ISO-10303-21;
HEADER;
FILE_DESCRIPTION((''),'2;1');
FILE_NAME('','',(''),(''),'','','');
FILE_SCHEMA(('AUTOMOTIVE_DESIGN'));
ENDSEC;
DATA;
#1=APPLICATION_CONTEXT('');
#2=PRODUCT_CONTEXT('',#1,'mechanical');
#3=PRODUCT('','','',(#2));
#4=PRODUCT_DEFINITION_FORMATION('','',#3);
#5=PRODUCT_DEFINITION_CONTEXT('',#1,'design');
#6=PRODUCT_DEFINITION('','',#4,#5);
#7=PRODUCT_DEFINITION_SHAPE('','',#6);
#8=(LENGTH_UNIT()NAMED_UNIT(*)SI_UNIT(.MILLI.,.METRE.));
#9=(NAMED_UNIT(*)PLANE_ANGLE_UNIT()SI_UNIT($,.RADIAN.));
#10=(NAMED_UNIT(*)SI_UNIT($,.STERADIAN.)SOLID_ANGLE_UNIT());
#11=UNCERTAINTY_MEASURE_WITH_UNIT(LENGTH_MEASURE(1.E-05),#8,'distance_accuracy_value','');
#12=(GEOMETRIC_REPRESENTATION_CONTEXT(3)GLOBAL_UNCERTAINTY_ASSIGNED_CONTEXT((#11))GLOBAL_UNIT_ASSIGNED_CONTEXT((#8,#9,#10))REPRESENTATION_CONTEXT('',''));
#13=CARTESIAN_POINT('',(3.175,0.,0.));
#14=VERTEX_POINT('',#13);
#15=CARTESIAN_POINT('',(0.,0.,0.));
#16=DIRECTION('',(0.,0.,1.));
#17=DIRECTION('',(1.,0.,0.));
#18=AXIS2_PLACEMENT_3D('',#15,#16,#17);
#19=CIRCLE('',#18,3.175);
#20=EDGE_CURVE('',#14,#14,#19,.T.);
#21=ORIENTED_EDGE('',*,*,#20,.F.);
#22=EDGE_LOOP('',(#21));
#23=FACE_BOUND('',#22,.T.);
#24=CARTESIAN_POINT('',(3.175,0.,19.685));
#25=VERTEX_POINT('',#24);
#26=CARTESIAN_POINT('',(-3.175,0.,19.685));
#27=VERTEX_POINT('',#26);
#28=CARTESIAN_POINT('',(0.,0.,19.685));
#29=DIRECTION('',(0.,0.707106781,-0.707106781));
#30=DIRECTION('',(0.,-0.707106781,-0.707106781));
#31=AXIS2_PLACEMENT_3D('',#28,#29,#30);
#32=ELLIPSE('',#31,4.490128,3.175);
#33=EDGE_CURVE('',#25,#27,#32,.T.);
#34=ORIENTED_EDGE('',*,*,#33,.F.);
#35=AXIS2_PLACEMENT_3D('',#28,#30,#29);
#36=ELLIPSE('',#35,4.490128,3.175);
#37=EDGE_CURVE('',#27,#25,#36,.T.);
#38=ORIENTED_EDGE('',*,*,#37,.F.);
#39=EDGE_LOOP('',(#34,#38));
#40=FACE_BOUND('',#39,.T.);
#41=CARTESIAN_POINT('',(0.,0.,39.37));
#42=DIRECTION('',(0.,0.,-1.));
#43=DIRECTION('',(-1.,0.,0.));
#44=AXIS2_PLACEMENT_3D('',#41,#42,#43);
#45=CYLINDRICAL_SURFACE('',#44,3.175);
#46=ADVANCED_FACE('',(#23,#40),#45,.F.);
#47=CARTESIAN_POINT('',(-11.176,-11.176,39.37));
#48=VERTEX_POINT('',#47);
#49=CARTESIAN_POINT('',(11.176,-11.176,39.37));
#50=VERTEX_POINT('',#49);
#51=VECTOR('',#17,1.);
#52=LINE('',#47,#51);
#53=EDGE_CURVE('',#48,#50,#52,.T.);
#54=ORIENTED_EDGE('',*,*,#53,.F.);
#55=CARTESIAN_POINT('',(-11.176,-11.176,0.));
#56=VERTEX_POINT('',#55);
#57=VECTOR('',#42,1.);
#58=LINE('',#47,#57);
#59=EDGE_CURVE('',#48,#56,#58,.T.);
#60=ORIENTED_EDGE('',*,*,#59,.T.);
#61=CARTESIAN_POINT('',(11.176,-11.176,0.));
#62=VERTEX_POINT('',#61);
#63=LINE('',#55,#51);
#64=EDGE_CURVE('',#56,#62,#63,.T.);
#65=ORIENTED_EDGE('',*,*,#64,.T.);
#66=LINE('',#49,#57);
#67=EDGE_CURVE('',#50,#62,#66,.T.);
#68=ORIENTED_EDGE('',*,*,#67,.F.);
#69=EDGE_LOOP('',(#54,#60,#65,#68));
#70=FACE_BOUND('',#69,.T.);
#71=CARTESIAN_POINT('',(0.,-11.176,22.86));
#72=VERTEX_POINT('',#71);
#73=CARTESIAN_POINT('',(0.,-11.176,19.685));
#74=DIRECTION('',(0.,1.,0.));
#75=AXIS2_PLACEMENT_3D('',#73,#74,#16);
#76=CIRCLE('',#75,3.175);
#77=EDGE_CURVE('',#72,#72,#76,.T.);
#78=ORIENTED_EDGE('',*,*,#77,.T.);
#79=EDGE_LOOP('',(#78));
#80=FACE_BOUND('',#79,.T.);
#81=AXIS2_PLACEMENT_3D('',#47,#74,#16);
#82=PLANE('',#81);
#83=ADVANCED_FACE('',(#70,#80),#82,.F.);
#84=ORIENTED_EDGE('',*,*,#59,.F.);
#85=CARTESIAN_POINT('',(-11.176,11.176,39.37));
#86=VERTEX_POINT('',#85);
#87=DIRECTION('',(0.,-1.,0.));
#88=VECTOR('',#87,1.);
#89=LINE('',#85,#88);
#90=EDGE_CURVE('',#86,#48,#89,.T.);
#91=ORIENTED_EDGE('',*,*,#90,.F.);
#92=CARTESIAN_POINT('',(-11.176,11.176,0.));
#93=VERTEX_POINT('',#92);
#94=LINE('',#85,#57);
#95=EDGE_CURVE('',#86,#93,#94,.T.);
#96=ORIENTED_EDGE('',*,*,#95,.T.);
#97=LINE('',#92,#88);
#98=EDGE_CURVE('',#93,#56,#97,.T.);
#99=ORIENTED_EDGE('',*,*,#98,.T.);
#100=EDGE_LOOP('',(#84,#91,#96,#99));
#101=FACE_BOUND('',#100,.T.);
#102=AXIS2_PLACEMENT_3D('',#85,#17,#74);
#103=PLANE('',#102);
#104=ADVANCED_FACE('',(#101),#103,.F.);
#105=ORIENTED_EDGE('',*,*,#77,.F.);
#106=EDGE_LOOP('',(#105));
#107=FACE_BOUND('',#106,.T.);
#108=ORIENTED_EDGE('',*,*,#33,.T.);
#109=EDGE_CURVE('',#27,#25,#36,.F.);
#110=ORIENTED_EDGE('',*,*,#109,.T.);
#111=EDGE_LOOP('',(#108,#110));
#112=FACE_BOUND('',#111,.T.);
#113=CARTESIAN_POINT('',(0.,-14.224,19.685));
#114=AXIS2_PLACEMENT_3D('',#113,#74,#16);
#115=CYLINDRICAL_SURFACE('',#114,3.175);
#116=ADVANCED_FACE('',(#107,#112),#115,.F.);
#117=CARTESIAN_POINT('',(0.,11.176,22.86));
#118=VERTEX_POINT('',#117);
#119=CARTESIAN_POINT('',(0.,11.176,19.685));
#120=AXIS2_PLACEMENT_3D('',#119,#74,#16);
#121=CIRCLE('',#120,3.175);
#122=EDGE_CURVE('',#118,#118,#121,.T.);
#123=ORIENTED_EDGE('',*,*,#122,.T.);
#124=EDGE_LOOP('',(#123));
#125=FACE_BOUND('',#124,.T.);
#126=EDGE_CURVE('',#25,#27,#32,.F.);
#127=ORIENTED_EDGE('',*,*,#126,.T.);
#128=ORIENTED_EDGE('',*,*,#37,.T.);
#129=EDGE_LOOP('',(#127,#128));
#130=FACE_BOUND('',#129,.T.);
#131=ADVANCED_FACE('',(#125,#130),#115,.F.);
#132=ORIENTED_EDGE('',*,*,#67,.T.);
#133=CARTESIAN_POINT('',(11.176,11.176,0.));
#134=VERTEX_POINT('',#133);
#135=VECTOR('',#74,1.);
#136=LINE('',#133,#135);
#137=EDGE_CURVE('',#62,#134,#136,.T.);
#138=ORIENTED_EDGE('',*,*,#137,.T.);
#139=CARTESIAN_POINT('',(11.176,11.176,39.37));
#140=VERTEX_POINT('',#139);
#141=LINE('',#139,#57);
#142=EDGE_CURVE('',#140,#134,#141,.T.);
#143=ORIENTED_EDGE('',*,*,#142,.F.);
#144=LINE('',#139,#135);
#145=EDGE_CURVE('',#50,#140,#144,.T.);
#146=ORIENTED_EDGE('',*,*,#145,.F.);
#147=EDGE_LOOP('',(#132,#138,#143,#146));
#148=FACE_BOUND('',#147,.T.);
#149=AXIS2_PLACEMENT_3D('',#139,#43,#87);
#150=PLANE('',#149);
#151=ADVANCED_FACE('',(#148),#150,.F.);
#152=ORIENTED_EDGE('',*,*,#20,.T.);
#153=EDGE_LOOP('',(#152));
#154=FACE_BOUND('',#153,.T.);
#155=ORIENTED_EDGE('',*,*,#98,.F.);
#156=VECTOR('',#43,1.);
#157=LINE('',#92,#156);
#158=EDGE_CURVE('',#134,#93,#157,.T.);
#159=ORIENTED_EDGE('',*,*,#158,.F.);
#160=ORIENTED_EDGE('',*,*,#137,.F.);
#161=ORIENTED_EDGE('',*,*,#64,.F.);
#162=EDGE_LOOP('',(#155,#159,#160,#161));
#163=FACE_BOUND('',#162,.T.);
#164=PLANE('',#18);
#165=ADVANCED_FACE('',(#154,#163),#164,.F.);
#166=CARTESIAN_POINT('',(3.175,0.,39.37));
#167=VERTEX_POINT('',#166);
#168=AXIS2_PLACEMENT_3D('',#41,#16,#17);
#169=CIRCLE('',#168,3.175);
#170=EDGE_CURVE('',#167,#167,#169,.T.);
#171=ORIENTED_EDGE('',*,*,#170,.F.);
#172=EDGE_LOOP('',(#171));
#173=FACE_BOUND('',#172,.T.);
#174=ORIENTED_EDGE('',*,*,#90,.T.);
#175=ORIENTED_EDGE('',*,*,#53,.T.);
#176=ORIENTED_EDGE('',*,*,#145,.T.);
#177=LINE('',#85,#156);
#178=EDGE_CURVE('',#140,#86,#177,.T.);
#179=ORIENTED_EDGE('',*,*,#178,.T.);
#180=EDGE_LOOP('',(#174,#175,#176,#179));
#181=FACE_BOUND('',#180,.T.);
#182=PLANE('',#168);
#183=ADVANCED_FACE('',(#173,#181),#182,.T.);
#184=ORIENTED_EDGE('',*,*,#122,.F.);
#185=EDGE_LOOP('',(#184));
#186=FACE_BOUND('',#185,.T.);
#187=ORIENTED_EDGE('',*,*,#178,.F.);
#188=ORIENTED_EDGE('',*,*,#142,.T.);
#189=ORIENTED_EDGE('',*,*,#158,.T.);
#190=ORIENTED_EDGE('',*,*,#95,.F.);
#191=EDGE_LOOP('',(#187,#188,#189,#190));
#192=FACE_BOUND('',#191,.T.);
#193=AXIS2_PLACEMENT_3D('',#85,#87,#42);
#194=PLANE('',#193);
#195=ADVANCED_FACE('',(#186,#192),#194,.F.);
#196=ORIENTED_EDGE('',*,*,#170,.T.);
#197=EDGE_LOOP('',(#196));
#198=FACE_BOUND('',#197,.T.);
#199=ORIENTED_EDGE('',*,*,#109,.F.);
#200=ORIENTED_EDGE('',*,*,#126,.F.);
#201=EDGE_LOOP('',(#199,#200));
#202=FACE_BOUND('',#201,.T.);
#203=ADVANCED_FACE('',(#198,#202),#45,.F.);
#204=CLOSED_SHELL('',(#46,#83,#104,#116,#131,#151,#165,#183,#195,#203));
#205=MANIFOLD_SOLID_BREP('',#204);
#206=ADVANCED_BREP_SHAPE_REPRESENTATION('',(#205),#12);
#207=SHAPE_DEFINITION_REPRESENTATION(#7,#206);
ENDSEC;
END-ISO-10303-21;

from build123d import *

# Parameters (mm, degrees)
SKETCH1_W           = 22.352
SKETCH1_H           = 22.352
SKETCH1_R           = 3.175
BOSS_EXTRUDE1_DEPTH = 39.37
SKETCH2_R           = 3.175
CUT_EXTRUDE1_DEPTH  = 25.4


with BuildPart() as part:
    # Sketch1 → Boss-Extrude1 (new body)
    with BuildSketch(Plane.XY):
        Rectangle(SKETCH1_W, SKETCH1_H)
        Circle(SKETCH1_R, mode=Mode.SUBTRACT)
    extrude(amount=BOSS_EXTRUDE1_DEPTH)

    # Sketch2 → Cut-Extrude1 (cut)
    with BuildSketch(Plane(origin=(0, 11.176, 0), x_dir=(1, 0, 0), z_dir=(0, 1, 0))):
        with Locations(Location((0, -19.685, 0), (0, 0, 270))):
            Circle(SKETCH2_R)
    extrude(amount=-CUT_EXTRUDE1_DEPTH, mode=Mode.SUBTRACT)


solid = part.part
